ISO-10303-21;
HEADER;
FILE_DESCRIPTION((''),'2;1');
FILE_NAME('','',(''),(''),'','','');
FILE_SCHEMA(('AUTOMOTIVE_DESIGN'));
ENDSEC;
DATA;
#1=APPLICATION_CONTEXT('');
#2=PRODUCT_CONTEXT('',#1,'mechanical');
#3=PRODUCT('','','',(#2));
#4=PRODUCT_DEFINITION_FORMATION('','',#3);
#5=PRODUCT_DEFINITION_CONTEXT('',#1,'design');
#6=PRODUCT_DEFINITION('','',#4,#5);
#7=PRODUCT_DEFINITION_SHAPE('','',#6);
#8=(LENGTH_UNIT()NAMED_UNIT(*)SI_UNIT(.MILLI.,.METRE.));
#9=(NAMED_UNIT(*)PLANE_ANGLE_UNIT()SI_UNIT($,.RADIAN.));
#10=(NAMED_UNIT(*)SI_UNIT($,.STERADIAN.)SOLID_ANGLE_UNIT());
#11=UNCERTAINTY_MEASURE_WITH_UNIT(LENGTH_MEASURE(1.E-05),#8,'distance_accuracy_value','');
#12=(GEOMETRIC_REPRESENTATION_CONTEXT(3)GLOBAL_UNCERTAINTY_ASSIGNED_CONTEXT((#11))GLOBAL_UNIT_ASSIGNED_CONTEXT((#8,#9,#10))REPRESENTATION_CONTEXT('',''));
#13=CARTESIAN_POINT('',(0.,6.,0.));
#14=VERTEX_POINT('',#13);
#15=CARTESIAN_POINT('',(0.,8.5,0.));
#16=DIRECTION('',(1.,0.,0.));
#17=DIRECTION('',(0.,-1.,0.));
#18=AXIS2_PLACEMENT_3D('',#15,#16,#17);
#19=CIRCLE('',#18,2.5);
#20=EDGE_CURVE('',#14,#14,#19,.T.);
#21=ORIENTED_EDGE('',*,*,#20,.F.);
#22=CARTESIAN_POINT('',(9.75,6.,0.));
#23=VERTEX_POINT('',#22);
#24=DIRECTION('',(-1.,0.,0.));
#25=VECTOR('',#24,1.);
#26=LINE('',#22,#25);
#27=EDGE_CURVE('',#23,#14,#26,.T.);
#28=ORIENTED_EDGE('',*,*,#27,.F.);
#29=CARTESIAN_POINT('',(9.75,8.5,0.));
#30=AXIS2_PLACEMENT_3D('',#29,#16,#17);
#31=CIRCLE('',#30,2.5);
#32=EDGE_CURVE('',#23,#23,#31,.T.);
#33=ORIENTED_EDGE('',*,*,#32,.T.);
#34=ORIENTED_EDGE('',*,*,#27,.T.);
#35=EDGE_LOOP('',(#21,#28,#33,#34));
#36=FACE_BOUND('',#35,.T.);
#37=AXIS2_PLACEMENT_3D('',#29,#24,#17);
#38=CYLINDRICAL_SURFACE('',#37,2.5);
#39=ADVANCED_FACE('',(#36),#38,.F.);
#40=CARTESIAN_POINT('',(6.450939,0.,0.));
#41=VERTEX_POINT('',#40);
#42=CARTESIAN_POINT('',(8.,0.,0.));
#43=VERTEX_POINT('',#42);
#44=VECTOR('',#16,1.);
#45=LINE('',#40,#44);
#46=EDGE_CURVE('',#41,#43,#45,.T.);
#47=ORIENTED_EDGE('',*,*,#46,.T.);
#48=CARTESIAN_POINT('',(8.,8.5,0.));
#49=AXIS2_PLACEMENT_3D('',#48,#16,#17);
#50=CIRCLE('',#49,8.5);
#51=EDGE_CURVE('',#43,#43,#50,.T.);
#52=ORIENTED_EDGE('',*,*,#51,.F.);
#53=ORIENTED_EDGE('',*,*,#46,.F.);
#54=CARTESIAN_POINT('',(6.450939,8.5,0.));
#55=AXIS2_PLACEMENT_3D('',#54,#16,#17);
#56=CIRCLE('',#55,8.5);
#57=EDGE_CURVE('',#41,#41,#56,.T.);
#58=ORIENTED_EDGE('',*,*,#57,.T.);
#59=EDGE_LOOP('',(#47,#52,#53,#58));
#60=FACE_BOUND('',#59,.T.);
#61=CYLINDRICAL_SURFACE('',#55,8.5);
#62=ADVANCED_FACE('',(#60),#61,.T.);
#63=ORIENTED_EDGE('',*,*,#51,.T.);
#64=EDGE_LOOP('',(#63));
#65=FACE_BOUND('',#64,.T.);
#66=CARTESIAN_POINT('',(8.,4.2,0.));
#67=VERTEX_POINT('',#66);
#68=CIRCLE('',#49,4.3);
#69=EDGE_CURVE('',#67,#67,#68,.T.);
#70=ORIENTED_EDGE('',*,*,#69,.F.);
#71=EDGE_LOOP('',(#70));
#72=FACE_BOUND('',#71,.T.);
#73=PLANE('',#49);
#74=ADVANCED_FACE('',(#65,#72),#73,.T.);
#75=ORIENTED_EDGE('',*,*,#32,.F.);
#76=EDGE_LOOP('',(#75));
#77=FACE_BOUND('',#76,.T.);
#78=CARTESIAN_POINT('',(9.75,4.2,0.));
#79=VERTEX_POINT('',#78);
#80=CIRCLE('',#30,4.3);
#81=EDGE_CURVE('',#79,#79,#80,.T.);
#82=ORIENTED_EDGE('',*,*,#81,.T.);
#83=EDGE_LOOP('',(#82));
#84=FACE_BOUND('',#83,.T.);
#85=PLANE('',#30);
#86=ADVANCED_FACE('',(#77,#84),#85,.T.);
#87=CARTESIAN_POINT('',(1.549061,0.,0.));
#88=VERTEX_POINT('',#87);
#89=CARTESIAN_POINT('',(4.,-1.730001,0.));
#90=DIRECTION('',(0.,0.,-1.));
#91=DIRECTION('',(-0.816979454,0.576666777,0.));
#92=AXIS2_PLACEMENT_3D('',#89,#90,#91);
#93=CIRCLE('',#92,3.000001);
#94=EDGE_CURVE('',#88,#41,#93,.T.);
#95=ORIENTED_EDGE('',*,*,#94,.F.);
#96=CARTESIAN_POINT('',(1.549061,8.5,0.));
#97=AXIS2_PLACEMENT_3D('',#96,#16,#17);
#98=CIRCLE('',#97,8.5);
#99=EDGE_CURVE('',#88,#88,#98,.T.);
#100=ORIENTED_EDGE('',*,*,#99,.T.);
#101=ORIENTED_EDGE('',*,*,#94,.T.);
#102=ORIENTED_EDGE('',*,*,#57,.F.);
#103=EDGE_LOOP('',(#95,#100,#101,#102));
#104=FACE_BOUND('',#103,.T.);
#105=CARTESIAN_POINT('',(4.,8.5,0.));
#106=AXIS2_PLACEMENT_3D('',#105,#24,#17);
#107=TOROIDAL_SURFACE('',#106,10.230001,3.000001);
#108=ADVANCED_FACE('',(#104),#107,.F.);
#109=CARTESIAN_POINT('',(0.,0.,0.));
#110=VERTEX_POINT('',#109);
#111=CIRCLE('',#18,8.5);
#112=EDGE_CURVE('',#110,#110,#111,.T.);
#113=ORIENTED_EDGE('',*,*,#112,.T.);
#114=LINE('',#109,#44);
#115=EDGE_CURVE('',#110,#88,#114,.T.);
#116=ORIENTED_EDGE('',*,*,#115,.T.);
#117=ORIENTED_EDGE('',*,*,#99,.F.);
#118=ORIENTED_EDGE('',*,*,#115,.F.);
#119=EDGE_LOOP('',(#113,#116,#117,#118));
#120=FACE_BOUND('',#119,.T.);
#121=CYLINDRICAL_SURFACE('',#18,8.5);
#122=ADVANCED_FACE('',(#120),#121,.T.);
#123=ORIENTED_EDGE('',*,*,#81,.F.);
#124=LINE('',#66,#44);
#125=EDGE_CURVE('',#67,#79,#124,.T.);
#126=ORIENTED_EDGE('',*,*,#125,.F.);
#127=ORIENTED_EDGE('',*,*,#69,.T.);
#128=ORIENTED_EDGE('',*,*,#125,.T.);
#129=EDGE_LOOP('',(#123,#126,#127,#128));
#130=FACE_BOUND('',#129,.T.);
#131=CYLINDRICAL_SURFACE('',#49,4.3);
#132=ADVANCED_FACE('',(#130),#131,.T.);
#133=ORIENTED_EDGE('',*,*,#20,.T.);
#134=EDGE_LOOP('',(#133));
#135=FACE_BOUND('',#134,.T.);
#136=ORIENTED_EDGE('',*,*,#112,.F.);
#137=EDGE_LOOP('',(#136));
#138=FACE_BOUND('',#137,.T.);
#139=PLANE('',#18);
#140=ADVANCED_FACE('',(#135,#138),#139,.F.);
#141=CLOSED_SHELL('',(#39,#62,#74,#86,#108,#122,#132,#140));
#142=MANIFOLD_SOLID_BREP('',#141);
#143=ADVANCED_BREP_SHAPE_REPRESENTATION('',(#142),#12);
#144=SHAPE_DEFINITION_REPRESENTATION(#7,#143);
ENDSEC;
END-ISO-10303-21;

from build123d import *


with BuildPart() as f2:
    # F0 (on Top) → F2 (revolve)
    with BuildSketch(Plane.XY):
        with BuildLine():
            Line((0, 6), (0, 0))
            Line((0, 0), (1.549061, 0))
            ThreePointArc((1.549061, 0), (4, 1.27), (6.450939, 0))
            Line((6.450939, 0), (8, 0))
            Line((8, 0), (8, 4.2))
            Line((8, 4.2), (9.75, 4.2))
            Line((9.75, 4.2), (9.75, 6))
            Line((9.75, 6), (0, 6))
        make_face()
    revolve(axis=Axis((10.455161, 8.5, 0), (1, 0, 0)))


solid = f2.part
